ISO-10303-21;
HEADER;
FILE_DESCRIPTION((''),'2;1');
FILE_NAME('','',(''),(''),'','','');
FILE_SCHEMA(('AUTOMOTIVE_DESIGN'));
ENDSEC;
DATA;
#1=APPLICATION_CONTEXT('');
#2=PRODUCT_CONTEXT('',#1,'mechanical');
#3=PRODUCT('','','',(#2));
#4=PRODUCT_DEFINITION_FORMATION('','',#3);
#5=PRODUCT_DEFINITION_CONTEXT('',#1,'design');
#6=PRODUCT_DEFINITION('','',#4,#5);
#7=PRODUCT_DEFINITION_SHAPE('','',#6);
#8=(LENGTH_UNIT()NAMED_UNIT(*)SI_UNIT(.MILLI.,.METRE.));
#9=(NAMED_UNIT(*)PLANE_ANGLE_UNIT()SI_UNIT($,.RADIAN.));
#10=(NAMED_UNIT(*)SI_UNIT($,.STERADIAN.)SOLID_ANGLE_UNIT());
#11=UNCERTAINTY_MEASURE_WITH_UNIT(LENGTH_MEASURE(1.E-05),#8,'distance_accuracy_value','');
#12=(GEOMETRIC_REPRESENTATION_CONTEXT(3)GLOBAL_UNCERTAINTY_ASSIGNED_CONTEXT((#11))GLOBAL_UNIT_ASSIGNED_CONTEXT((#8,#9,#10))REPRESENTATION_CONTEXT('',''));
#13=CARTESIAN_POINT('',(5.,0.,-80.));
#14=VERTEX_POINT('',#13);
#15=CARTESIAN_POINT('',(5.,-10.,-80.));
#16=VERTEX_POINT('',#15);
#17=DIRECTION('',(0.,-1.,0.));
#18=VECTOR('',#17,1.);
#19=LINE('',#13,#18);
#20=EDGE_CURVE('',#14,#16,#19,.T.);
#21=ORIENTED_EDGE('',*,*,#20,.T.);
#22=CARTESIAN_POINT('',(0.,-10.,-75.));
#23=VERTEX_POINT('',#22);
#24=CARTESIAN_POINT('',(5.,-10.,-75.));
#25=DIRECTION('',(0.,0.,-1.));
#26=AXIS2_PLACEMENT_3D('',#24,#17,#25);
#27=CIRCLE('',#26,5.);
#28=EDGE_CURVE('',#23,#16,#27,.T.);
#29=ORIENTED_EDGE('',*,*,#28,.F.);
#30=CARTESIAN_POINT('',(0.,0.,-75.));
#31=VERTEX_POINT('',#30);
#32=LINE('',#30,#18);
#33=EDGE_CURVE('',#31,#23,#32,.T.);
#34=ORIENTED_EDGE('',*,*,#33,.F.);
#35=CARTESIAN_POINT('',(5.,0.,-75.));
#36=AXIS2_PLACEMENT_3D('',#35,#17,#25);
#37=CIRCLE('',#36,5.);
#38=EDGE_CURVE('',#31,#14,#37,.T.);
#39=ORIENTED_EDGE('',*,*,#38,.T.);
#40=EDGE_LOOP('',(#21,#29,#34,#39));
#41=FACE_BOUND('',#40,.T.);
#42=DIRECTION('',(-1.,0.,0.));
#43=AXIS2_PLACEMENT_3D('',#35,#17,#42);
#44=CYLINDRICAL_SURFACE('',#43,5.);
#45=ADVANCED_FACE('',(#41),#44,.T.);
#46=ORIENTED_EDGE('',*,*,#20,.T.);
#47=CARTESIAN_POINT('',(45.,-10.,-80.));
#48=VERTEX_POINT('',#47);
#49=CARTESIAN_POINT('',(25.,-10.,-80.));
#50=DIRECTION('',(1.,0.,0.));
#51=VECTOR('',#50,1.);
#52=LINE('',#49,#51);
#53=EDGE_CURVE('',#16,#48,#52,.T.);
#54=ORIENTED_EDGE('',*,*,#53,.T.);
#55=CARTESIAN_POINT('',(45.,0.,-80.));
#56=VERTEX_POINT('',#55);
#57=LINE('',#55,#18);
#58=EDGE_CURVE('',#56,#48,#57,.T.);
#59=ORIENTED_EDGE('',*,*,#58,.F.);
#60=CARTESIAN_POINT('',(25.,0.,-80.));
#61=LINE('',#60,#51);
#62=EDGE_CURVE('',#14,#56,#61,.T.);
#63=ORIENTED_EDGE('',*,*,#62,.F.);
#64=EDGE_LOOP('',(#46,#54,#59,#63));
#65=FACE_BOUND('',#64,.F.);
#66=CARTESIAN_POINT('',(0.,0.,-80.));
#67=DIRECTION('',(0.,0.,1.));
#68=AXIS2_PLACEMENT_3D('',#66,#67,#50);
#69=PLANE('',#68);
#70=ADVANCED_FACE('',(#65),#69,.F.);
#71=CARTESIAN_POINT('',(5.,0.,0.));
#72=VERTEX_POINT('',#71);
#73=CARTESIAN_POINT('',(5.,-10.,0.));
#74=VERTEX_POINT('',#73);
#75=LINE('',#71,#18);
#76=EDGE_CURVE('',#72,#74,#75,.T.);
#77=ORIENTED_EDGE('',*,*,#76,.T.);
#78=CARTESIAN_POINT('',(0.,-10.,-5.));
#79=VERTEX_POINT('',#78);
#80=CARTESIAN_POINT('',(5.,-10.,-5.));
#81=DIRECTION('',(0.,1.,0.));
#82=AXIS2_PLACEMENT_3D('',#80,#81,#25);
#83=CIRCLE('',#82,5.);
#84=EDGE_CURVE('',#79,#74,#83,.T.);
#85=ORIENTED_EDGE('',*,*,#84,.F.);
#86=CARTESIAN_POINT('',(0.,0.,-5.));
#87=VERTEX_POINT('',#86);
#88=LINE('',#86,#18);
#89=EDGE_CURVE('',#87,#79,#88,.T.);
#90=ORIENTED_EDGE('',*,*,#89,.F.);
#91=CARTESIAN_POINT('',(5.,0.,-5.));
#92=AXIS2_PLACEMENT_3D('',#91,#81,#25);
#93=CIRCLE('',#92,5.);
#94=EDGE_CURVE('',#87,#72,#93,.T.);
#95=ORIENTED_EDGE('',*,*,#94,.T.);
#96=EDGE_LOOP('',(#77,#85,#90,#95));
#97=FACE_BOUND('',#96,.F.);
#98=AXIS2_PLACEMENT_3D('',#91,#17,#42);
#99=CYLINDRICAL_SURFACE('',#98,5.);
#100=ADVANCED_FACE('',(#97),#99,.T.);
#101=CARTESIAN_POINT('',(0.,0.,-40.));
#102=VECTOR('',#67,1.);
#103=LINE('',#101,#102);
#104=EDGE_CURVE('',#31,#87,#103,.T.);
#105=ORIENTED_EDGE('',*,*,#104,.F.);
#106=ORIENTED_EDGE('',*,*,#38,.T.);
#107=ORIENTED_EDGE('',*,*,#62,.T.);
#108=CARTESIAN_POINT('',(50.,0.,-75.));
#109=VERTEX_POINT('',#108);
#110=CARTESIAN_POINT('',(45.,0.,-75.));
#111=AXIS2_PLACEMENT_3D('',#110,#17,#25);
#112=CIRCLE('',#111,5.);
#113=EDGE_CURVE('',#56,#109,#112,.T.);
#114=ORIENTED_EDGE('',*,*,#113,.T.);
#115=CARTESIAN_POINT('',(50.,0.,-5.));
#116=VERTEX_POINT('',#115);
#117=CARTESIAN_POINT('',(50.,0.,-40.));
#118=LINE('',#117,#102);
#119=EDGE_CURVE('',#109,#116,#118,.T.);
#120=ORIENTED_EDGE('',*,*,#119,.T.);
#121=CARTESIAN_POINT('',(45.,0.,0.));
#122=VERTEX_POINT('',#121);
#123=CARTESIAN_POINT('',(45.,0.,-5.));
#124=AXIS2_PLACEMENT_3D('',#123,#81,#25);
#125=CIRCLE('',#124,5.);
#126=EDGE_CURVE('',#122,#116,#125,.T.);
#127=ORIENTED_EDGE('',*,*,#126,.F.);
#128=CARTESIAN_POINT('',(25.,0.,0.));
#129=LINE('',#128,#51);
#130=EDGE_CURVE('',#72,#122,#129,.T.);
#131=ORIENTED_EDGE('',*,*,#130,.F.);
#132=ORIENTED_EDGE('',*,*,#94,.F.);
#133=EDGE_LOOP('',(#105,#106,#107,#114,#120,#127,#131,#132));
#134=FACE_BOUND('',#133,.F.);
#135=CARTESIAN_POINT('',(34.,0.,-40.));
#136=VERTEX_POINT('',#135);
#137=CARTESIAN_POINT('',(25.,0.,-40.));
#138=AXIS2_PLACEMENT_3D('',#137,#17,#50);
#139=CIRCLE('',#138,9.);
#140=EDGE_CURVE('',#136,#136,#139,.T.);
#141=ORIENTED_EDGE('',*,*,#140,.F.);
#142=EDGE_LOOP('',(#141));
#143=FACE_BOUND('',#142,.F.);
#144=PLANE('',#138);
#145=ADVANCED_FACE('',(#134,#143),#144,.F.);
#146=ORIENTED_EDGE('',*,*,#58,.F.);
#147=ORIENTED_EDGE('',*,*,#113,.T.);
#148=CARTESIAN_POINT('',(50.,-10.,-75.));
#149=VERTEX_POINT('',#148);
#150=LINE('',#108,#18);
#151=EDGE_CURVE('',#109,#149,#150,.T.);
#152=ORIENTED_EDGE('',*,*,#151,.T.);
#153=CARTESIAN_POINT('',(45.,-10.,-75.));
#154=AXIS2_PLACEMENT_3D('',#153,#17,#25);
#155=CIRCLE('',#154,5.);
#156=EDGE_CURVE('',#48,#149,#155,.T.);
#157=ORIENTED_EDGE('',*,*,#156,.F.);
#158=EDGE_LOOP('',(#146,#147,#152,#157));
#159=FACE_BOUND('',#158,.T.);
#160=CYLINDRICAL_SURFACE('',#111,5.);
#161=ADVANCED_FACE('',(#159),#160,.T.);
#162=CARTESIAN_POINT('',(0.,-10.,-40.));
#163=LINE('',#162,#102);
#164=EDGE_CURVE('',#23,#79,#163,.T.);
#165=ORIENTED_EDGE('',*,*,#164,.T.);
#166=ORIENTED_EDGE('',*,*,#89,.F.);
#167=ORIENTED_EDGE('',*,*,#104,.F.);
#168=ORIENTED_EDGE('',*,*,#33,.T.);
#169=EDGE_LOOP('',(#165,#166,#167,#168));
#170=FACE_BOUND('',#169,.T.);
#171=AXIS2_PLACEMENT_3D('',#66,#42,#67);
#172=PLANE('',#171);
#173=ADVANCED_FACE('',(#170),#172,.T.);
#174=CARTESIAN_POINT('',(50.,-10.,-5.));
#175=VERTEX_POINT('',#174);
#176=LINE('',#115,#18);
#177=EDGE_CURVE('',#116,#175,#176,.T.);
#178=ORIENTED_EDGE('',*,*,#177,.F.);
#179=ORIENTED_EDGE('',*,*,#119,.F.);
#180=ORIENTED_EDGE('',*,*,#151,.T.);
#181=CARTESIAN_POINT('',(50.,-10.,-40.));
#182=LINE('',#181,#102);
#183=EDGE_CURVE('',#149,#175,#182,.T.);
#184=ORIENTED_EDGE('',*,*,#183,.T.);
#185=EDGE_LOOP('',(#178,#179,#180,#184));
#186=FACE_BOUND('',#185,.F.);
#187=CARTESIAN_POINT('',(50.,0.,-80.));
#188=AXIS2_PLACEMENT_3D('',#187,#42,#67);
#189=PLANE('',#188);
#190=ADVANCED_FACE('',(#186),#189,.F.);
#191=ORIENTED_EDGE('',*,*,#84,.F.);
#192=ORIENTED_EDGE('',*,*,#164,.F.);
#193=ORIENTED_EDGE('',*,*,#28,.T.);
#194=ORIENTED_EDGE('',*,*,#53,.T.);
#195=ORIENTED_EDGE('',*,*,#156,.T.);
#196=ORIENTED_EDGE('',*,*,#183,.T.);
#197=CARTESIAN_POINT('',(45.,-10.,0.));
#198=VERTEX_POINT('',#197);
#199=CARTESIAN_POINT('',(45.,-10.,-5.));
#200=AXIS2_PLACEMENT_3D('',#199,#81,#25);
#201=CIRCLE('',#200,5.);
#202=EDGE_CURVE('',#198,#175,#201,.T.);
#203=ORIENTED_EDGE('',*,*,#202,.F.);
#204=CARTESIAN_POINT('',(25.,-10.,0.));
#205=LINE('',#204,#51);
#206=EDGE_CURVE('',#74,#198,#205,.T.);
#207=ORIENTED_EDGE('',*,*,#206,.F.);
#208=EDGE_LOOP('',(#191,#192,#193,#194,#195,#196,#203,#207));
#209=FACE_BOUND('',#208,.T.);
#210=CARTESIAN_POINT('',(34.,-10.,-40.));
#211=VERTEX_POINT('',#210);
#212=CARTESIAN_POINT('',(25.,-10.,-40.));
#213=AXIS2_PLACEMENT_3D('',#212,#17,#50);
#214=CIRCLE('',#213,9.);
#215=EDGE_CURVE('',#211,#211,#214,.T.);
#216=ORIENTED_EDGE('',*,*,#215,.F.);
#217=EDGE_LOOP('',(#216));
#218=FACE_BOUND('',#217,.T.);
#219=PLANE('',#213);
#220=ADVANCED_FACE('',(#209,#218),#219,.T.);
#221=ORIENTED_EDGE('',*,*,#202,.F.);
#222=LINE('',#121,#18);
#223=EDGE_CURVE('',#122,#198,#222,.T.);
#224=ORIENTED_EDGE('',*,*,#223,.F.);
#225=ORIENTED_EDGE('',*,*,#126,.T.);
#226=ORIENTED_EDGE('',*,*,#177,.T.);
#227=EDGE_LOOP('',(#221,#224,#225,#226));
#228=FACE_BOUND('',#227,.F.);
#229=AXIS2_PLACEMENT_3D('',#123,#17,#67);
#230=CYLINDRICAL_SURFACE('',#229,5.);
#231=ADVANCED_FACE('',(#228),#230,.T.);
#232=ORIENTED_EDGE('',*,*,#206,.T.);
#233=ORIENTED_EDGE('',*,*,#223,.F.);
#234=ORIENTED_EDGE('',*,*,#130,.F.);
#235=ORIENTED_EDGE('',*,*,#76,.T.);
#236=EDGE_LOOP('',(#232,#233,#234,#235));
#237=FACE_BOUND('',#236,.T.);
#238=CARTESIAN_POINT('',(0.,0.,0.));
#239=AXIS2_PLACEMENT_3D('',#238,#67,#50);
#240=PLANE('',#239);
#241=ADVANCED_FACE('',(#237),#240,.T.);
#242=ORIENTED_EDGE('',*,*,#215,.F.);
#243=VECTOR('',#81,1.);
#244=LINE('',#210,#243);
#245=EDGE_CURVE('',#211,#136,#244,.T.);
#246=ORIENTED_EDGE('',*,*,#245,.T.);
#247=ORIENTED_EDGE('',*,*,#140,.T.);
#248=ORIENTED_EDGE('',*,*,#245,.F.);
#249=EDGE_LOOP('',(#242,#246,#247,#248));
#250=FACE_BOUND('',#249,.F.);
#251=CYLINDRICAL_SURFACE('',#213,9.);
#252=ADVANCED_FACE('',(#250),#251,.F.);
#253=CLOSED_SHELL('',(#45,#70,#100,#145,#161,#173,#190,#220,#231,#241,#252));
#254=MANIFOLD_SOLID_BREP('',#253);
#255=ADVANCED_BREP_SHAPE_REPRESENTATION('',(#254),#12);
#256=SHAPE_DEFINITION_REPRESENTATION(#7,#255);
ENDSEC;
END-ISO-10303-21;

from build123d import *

# Parameters (mm, degrees)
F0_W     = 50
F0_H     = 80
F1_DEPTH = 10
F2_R     = 9
F3_DEPTH = 10.001
F4_R     = 5


with BuildPart() as f1:
    # F0 (on Front) → F1 (new body)
    with BuildSketch(Plane.XZ):
        with Locations((25, -40)):
            Rectangle(F0_W, F0_H)
    extrude(amount=F1_DEPTH)

    # F2 (on face) → F3 (cut, through all)
    with BuildSketch(Plane.XZ.offset(10)):
        with Locations((25, -40)):
            Circle(F2_R)
    extrude(amount=-F3_DEPTH, mode=Mode.SUBTRACT)

    # F4
    f4_edges = [f1.edges().sort_by_distance(p)[0] for p in [
        (50, -5, 0),
        (0, -5, 0),
        (50, -5, -80),
        (0, -5, -80),
    ]]
    fillet(f4_edges, radius=F4_R)


solid = f1.part
